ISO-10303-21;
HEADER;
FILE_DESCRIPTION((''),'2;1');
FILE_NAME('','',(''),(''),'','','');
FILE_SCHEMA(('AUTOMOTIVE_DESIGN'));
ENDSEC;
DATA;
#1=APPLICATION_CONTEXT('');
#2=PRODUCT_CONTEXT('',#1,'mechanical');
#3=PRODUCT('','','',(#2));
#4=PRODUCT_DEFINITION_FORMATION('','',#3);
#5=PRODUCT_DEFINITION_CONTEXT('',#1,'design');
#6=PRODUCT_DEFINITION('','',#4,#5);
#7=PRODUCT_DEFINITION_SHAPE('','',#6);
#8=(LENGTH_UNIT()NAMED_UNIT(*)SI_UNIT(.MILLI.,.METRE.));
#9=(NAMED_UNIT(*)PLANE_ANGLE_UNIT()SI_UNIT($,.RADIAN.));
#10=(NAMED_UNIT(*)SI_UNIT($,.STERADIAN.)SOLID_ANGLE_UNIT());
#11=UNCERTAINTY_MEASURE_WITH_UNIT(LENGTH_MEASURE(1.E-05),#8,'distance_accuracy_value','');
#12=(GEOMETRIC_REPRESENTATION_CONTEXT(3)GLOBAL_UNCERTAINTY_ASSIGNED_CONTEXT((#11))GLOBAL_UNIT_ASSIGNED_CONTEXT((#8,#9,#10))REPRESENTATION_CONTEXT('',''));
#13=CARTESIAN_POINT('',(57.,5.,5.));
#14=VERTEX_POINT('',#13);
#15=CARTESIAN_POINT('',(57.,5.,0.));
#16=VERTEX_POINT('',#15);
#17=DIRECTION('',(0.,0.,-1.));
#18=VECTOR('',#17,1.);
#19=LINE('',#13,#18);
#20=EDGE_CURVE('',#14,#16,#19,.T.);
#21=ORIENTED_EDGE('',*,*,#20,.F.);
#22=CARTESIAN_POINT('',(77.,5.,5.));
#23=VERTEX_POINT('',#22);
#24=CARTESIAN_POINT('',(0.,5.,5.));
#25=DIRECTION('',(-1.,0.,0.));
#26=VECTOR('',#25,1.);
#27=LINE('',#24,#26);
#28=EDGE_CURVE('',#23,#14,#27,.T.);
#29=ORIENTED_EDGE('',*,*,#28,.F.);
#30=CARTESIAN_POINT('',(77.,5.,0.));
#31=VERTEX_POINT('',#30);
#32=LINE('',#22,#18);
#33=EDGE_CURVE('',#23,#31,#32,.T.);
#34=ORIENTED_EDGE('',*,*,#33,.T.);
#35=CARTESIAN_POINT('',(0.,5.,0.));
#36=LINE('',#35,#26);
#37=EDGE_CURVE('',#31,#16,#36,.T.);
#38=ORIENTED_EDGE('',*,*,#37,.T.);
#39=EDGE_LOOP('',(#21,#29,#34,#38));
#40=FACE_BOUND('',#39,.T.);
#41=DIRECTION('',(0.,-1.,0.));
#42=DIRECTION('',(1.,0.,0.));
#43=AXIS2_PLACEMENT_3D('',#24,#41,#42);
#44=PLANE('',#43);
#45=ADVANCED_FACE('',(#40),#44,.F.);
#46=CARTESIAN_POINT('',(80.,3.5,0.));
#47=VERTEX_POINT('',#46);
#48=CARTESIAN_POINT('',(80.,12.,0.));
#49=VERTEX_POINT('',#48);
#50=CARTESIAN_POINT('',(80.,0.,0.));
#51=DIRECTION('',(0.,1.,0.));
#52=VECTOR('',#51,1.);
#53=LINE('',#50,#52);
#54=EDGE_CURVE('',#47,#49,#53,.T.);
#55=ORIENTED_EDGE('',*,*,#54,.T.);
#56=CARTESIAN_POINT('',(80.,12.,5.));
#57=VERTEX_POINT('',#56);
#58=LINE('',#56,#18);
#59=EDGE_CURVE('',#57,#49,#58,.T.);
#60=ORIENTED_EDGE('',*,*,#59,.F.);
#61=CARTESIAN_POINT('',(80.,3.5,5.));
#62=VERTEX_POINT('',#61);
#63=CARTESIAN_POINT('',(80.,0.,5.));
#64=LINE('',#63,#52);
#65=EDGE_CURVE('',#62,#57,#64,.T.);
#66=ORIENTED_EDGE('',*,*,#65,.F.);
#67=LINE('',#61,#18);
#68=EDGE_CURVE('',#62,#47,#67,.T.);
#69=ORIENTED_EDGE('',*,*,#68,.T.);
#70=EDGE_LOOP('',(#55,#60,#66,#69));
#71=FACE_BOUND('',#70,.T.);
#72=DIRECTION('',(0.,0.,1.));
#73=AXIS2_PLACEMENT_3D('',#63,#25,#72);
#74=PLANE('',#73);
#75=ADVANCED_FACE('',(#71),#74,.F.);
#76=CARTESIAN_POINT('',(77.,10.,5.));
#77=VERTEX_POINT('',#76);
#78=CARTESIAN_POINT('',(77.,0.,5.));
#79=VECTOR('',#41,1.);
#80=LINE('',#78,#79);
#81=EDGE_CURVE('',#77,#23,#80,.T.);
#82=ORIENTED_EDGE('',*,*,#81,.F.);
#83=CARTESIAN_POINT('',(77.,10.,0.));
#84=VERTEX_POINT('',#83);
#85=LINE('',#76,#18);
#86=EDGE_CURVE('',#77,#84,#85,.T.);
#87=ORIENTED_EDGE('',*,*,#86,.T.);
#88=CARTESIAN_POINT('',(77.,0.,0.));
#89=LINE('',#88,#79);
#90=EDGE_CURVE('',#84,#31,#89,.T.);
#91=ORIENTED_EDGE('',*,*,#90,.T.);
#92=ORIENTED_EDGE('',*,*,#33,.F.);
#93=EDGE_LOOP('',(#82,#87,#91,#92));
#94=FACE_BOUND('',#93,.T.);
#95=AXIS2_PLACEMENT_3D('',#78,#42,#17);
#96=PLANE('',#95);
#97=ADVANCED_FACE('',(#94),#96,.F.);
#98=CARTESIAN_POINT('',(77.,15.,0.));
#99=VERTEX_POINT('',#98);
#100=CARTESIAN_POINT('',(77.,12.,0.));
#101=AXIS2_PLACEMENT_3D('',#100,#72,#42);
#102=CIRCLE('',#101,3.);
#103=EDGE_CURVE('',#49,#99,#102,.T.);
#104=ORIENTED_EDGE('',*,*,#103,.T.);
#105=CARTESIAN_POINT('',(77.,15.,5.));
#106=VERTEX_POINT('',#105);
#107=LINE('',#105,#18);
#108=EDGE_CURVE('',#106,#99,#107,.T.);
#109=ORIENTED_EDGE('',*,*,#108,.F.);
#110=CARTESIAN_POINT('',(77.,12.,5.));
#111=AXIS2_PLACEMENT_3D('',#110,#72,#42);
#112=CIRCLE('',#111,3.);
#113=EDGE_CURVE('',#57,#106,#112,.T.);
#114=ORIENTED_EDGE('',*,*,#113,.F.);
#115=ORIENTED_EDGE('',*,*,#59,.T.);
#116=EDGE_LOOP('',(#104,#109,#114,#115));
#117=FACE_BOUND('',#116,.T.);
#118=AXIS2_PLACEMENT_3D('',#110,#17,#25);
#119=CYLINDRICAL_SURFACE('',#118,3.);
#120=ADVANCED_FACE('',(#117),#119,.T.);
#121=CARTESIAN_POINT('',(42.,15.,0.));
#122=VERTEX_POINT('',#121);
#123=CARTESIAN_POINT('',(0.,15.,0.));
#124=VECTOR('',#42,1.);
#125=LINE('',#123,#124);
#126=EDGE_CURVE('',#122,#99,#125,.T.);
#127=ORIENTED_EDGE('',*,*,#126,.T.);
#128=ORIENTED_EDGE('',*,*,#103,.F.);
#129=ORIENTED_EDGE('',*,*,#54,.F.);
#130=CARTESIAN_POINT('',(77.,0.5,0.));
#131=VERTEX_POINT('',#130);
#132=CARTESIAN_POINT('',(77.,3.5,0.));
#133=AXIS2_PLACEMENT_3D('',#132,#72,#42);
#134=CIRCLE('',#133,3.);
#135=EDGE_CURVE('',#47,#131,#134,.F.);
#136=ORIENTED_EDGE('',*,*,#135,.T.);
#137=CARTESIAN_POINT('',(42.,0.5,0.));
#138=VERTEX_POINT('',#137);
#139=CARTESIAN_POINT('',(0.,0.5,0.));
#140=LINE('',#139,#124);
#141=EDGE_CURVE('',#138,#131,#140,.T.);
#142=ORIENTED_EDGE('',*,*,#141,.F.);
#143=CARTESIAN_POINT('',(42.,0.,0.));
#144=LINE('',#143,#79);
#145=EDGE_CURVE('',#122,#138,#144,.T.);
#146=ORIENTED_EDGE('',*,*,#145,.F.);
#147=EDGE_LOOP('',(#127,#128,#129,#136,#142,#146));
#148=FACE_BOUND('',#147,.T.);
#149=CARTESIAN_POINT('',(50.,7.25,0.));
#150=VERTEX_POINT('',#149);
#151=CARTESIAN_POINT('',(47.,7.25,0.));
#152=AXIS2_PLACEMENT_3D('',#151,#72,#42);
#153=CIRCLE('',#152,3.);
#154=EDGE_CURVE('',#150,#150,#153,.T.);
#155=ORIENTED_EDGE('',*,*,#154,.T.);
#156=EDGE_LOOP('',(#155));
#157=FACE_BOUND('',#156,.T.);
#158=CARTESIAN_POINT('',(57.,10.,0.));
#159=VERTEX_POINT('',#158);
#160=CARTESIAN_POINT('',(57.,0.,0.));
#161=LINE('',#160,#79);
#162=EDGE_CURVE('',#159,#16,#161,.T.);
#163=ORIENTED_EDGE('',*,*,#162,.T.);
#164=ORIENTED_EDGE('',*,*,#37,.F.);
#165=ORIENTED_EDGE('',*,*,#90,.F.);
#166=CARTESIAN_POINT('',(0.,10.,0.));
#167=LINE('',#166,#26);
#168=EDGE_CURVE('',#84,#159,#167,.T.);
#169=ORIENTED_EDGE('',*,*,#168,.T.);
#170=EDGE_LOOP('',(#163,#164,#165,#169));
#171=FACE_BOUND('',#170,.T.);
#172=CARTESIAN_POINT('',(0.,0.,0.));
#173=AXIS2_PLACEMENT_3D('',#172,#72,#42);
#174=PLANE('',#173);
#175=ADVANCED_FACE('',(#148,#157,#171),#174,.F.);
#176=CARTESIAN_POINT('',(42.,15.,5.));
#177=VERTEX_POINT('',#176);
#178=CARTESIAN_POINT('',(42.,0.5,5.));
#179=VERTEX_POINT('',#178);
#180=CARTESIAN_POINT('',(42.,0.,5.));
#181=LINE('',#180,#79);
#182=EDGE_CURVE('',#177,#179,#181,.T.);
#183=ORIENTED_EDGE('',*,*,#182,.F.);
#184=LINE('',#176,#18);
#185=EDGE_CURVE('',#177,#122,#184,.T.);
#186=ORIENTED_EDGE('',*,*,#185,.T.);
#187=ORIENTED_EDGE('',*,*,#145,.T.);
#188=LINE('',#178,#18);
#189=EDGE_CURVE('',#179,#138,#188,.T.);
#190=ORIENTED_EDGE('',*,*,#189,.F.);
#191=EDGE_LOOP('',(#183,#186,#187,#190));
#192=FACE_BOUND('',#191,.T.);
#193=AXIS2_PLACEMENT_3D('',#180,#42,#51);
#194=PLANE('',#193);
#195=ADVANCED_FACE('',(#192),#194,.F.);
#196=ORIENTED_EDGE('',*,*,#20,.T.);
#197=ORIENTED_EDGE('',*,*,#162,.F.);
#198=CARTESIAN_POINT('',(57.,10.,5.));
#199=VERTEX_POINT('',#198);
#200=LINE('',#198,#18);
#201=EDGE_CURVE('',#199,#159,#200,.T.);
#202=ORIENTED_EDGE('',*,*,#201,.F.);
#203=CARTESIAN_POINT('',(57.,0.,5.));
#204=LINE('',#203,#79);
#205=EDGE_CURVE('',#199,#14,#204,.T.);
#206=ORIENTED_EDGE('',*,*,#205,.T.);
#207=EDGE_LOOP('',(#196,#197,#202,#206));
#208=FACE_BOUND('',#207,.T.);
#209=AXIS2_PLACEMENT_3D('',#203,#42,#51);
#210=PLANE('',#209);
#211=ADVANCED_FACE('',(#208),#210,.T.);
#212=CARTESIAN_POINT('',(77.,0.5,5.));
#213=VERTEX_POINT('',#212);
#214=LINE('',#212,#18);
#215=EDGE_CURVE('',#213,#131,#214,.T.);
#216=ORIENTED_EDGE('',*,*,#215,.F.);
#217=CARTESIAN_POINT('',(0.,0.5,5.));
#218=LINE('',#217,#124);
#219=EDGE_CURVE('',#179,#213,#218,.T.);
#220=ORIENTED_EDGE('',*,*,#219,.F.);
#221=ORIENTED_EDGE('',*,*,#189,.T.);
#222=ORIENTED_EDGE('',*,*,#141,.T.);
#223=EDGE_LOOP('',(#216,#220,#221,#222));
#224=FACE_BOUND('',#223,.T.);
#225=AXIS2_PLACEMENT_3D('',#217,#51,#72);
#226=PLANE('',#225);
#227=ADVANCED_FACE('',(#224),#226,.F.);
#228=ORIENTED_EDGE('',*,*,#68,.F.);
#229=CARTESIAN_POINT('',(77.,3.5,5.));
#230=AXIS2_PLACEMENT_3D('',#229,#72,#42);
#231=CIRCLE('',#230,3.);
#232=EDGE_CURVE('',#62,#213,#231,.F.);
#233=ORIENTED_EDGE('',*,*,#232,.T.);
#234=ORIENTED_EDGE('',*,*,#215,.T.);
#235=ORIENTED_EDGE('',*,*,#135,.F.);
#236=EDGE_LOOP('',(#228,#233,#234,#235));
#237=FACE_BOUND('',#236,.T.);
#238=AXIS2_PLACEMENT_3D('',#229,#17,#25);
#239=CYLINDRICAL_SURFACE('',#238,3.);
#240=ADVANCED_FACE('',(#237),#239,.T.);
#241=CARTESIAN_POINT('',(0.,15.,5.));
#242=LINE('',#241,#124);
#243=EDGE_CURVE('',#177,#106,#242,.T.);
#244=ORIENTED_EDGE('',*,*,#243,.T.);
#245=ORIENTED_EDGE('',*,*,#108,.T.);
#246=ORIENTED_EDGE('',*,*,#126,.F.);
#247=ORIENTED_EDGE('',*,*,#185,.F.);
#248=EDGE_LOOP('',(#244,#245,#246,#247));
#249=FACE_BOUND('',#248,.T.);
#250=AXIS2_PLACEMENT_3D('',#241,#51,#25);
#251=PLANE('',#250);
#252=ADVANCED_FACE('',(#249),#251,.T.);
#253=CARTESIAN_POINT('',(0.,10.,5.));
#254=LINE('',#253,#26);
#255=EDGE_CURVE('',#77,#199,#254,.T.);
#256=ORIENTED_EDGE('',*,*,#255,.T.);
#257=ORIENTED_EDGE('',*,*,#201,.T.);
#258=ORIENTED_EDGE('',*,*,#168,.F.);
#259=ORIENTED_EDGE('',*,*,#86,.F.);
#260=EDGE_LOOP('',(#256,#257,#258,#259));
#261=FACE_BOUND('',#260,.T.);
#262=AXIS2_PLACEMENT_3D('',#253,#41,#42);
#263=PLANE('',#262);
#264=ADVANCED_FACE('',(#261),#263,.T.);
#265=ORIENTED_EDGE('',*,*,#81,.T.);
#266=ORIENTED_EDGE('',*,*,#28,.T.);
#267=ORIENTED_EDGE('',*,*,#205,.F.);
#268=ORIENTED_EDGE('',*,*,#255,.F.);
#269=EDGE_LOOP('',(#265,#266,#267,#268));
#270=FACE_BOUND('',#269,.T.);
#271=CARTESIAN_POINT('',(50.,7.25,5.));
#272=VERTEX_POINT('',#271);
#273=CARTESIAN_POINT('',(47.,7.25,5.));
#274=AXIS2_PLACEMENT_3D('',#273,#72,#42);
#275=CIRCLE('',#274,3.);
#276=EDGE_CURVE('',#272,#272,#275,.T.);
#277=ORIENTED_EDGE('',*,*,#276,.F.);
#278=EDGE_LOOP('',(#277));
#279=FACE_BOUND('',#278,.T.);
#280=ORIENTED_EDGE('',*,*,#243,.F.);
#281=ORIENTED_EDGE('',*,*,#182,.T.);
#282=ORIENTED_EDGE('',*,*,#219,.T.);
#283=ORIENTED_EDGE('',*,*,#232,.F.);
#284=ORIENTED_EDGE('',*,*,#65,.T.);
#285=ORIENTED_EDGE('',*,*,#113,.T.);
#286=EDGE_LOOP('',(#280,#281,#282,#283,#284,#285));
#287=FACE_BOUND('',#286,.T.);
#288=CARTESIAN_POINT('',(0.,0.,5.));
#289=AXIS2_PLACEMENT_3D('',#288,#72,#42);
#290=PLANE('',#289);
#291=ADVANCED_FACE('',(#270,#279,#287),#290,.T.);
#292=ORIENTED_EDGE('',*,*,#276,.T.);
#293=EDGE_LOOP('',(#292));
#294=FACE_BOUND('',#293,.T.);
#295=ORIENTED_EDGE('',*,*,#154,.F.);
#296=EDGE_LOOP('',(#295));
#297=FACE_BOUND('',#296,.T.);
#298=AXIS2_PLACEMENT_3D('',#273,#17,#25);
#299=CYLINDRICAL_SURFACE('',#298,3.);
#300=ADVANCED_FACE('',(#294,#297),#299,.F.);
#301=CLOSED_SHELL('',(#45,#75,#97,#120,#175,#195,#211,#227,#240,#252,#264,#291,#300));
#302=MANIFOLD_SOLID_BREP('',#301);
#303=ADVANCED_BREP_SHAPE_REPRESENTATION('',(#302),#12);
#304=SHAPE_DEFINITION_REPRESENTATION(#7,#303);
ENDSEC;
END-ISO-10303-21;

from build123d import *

# Parameters (mm, degrees)
SKETCH1_W           = 20
SKETCH1_H           = 5
BOSS_EXTRUDE1_DEPTH = 5


with BuildPart() as part:
    # Sketch1 → Boss-Extrude1 (new body)
    with BuildSketch(Plane.XY):
        with BuildLine():
            Line((77, 15), (42, 15))
            Line((42, 15), (42, 7.25))
            Line((42, 7.25), (42, 0.5))
            Line((42, 0.5), (77, 0.5))
            ThreePointArc((77, 0.5), (79.121320344, 1.378679656), (80, 3.5))
            Line((80, 3.5), (80, 12))
            ThreePointArc((80, 12), (79.121320344, 14.121320344), (77, 15))
        make_face()
        with BuildLine():
            ThreePointArc((50, 7.25), (47, 4.25), (44, 7.25))
            ThreePointArc((44, 7.25), (47, 10.25), (50, 7.25))
        make_face(mode=Mode.SUBTRACT)
        with Locations((67, 7.5)):
            Rectangle(SKETCH1_W, SKETCH1_H, mode=Mode.SUBTRACT)
    extrude(amount=BOSS_EXTRUDE1_DEPTH)


solid = part.part
